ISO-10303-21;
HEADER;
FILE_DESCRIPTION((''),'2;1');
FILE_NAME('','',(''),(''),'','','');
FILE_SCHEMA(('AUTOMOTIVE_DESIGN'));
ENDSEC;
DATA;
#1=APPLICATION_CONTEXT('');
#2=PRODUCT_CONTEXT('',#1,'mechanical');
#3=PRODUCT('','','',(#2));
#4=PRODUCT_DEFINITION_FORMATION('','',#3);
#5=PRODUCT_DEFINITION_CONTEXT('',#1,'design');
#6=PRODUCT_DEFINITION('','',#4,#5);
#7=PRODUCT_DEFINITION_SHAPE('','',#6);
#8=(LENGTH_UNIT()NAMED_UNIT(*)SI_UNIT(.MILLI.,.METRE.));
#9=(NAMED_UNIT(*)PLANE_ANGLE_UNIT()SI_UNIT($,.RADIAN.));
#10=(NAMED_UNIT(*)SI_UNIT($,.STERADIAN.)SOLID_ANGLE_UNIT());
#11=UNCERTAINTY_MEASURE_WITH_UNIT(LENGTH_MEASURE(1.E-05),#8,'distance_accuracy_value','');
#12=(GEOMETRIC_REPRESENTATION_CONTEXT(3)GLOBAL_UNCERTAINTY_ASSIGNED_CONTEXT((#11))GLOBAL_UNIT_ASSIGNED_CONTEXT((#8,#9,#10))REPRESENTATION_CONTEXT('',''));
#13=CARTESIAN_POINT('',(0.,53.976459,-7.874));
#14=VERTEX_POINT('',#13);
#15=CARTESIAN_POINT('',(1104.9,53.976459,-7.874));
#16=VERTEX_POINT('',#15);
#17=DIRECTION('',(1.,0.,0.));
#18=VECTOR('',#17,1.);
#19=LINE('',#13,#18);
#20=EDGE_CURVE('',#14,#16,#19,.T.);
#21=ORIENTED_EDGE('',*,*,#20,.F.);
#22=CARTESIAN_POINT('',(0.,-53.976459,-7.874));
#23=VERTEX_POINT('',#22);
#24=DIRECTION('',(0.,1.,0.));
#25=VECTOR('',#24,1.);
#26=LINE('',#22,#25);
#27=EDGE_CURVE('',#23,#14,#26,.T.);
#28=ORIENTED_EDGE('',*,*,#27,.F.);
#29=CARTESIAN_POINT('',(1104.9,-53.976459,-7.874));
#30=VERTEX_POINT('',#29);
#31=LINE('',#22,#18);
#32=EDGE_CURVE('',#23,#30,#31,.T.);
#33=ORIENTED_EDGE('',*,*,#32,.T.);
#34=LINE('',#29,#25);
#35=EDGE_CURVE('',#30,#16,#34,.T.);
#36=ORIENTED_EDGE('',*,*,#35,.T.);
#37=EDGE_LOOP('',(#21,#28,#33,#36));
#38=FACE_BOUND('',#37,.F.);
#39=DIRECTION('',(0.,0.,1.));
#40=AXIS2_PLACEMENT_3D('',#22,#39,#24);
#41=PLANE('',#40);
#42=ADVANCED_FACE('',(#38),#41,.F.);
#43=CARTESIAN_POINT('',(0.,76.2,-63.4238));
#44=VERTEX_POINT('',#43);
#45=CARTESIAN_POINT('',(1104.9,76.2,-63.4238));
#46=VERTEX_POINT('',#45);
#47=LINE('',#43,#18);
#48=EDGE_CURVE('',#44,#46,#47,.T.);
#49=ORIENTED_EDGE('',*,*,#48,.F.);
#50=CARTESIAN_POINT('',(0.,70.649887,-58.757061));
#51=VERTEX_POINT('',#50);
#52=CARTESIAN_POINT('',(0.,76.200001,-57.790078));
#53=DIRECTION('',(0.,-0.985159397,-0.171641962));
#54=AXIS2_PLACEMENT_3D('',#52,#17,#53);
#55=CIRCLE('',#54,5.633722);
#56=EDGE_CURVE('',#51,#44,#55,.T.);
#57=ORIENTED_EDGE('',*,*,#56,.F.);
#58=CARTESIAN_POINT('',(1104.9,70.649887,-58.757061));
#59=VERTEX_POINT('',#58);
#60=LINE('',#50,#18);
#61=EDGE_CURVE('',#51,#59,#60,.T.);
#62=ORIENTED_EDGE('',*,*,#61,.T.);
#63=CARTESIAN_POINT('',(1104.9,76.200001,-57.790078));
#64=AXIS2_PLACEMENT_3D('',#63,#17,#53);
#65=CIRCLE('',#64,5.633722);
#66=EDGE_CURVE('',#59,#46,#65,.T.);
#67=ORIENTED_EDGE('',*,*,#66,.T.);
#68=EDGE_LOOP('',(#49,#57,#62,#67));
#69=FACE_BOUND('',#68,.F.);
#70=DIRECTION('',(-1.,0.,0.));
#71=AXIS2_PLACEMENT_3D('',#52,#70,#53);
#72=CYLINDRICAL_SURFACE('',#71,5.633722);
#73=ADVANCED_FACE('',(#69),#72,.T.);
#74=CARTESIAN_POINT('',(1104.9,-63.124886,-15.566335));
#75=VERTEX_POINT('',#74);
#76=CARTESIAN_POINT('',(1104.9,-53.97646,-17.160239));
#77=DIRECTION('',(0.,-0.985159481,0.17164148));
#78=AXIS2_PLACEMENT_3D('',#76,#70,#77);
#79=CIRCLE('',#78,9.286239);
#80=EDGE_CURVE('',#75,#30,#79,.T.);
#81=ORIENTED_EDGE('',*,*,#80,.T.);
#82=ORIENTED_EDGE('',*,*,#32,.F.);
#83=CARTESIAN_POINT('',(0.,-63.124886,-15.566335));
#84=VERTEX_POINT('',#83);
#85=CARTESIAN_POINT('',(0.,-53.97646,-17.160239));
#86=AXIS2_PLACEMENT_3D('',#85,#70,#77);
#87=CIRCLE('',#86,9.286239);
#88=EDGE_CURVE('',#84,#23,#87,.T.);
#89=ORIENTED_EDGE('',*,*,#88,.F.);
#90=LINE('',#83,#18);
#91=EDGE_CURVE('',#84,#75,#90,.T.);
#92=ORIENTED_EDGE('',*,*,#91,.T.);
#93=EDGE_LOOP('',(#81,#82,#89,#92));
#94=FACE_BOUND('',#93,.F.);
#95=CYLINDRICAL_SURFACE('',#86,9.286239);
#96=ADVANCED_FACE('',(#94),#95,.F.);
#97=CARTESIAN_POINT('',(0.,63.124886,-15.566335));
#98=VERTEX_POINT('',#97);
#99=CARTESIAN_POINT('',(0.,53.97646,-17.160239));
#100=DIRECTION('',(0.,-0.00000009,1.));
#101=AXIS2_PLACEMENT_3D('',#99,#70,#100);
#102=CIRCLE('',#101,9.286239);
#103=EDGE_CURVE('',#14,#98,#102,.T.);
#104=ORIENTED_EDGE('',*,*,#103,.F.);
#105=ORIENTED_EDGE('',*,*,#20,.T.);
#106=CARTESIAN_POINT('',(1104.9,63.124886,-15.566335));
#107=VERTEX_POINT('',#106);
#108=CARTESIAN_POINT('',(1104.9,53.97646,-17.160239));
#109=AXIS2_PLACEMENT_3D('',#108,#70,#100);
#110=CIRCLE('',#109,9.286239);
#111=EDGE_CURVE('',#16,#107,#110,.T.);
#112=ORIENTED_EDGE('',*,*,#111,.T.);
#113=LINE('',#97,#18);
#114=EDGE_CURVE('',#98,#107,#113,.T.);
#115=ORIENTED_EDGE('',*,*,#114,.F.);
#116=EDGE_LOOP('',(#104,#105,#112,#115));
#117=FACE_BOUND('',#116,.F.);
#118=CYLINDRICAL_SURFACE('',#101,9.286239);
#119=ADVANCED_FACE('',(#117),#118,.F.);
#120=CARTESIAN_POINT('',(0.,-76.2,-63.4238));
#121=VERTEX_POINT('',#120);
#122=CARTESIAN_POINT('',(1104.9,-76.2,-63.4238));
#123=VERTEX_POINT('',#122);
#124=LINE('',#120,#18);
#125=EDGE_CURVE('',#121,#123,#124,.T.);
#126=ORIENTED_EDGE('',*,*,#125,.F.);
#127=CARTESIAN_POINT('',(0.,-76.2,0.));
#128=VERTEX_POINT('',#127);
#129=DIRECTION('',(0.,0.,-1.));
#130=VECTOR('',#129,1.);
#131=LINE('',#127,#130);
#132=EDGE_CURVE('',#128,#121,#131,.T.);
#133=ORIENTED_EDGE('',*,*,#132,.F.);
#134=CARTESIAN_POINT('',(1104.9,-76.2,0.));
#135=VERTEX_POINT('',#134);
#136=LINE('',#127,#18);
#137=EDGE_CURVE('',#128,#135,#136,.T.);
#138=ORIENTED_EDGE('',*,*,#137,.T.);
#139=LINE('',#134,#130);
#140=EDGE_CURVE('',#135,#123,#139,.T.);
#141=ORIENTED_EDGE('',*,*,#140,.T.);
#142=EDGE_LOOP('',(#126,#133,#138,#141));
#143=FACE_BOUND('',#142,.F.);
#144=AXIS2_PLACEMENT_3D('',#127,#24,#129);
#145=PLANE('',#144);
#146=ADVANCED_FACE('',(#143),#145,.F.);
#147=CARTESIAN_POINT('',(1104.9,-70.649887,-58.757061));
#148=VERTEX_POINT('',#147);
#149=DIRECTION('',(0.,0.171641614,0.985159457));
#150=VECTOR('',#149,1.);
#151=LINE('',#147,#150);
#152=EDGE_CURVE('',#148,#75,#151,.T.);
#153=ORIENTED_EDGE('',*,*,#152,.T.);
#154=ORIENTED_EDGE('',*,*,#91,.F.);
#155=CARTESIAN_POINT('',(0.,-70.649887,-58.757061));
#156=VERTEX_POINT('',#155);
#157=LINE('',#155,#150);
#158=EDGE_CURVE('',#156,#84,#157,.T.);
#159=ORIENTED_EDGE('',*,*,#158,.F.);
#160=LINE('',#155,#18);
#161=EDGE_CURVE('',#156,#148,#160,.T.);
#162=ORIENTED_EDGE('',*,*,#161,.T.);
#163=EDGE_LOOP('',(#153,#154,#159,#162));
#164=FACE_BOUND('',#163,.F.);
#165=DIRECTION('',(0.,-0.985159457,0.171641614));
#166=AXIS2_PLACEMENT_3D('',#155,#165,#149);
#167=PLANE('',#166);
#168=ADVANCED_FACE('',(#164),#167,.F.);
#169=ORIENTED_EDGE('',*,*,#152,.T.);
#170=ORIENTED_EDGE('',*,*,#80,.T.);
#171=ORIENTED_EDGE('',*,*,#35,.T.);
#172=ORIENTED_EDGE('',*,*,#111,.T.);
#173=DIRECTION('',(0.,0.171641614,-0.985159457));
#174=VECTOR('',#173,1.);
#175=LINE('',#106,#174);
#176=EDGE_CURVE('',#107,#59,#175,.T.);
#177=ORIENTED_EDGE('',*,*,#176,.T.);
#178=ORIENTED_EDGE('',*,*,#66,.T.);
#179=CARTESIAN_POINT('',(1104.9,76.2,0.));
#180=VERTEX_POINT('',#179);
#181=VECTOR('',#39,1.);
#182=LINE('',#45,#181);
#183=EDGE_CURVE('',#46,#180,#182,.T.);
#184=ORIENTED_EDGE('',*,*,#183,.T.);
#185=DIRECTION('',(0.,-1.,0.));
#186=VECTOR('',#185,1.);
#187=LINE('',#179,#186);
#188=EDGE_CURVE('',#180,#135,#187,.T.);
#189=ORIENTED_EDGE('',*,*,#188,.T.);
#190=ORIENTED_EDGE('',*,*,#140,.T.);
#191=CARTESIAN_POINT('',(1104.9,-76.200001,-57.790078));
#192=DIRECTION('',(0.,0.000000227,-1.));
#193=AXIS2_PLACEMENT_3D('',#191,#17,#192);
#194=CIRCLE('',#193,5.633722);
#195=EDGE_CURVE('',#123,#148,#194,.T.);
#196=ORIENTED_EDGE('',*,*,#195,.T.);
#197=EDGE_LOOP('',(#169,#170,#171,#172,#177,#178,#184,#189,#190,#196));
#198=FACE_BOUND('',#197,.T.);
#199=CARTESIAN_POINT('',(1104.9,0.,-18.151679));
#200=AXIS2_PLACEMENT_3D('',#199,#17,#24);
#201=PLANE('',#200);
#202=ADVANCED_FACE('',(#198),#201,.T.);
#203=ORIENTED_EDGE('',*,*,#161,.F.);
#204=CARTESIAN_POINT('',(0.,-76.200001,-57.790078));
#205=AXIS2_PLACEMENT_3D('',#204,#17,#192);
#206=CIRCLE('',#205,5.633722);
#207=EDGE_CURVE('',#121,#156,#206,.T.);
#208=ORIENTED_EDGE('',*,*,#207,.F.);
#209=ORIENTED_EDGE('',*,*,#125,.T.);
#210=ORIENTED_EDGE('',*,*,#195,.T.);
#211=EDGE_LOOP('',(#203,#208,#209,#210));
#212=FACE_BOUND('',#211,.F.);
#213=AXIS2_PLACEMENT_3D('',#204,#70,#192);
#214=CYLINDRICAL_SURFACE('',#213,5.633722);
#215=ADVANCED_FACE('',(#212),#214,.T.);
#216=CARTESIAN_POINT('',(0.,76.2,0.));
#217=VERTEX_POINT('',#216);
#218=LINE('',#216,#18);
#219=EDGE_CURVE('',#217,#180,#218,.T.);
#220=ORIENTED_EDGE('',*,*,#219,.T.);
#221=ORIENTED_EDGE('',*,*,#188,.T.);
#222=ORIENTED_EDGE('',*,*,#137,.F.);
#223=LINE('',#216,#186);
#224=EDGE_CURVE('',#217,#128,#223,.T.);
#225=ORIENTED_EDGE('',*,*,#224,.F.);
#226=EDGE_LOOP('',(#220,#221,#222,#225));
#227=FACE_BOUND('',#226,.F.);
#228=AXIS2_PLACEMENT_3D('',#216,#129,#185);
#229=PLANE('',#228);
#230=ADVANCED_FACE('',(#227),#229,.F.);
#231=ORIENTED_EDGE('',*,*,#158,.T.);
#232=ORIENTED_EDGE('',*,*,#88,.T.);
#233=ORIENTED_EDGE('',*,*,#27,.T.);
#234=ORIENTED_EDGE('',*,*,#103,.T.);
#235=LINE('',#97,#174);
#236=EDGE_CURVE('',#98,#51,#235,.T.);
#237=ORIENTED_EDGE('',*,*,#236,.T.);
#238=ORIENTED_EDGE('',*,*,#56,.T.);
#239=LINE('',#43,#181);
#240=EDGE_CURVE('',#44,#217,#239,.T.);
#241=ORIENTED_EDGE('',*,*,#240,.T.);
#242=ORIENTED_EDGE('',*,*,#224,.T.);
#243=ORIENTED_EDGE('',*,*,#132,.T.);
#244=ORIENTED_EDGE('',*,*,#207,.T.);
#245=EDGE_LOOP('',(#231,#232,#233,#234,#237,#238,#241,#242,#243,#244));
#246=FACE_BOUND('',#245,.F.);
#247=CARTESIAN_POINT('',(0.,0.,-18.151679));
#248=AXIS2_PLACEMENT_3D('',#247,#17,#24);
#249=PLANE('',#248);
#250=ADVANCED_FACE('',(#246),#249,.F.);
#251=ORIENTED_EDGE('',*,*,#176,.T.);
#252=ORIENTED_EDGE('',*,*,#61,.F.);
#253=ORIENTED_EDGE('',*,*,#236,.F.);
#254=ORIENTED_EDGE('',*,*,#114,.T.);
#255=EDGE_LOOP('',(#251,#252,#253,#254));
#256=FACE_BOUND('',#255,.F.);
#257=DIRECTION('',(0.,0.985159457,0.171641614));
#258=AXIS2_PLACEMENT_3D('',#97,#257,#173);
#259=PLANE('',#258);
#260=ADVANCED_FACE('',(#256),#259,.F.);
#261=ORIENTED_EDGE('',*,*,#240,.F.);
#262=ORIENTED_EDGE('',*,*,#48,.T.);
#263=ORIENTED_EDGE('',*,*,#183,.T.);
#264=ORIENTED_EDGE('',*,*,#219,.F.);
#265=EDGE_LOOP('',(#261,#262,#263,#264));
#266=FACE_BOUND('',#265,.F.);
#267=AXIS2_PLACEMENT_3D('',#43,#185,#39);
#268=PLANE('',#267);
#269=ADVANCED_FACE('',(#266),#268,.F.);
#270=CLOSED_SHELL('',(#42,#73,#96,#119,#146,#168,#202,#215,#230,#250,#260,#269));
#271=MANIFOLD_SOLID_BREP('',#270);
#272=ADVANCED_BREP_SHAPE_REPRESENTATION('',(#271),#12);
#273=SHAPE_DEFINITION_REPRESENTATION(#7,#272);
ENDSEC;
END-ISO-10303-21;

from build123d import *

# Parameters (mm, degrees)
F1_DEPTH = 1104.9


with BuildPart() as f1:
    # F0 (on Right) → F1 (new body)
    with BuildSketch(Plane.YZ):
        with BuildLine():
            Line((76.2, 0), (-76.2, 0))
            Line((-76.2, 0), (-76.2, -63.4238))
            ThreePointArc((-76.2, -63.4238), (-72.574321, -62.102069), (-70.649887, -58.757061))
            Line((-70.649887, -58.757061), (-63.124886, -15.566335))
            ThreePointArc((-63.124886, -15.566335), (-59.952782, -10.052651), (-53.976459, -7.874))
            Line((-53.976459, -7.874), (53.976459, -7.874))
            ThreePointArc((53.976459, -7.874), (59.952782, -10.052651), (63.124886, -15.566335))
            Line((63.124886, -15.566335), (70.649887, -58.757061))
            ThreePointArc((70.649887, -58.757061), (72.574321, -62.102069), (76.2, -63.4238))
            Line((76.2, -63.4238), (76.2, 0))
        make_face()
    extrude(amount=F1_DEPTH)


solid = f1.part
